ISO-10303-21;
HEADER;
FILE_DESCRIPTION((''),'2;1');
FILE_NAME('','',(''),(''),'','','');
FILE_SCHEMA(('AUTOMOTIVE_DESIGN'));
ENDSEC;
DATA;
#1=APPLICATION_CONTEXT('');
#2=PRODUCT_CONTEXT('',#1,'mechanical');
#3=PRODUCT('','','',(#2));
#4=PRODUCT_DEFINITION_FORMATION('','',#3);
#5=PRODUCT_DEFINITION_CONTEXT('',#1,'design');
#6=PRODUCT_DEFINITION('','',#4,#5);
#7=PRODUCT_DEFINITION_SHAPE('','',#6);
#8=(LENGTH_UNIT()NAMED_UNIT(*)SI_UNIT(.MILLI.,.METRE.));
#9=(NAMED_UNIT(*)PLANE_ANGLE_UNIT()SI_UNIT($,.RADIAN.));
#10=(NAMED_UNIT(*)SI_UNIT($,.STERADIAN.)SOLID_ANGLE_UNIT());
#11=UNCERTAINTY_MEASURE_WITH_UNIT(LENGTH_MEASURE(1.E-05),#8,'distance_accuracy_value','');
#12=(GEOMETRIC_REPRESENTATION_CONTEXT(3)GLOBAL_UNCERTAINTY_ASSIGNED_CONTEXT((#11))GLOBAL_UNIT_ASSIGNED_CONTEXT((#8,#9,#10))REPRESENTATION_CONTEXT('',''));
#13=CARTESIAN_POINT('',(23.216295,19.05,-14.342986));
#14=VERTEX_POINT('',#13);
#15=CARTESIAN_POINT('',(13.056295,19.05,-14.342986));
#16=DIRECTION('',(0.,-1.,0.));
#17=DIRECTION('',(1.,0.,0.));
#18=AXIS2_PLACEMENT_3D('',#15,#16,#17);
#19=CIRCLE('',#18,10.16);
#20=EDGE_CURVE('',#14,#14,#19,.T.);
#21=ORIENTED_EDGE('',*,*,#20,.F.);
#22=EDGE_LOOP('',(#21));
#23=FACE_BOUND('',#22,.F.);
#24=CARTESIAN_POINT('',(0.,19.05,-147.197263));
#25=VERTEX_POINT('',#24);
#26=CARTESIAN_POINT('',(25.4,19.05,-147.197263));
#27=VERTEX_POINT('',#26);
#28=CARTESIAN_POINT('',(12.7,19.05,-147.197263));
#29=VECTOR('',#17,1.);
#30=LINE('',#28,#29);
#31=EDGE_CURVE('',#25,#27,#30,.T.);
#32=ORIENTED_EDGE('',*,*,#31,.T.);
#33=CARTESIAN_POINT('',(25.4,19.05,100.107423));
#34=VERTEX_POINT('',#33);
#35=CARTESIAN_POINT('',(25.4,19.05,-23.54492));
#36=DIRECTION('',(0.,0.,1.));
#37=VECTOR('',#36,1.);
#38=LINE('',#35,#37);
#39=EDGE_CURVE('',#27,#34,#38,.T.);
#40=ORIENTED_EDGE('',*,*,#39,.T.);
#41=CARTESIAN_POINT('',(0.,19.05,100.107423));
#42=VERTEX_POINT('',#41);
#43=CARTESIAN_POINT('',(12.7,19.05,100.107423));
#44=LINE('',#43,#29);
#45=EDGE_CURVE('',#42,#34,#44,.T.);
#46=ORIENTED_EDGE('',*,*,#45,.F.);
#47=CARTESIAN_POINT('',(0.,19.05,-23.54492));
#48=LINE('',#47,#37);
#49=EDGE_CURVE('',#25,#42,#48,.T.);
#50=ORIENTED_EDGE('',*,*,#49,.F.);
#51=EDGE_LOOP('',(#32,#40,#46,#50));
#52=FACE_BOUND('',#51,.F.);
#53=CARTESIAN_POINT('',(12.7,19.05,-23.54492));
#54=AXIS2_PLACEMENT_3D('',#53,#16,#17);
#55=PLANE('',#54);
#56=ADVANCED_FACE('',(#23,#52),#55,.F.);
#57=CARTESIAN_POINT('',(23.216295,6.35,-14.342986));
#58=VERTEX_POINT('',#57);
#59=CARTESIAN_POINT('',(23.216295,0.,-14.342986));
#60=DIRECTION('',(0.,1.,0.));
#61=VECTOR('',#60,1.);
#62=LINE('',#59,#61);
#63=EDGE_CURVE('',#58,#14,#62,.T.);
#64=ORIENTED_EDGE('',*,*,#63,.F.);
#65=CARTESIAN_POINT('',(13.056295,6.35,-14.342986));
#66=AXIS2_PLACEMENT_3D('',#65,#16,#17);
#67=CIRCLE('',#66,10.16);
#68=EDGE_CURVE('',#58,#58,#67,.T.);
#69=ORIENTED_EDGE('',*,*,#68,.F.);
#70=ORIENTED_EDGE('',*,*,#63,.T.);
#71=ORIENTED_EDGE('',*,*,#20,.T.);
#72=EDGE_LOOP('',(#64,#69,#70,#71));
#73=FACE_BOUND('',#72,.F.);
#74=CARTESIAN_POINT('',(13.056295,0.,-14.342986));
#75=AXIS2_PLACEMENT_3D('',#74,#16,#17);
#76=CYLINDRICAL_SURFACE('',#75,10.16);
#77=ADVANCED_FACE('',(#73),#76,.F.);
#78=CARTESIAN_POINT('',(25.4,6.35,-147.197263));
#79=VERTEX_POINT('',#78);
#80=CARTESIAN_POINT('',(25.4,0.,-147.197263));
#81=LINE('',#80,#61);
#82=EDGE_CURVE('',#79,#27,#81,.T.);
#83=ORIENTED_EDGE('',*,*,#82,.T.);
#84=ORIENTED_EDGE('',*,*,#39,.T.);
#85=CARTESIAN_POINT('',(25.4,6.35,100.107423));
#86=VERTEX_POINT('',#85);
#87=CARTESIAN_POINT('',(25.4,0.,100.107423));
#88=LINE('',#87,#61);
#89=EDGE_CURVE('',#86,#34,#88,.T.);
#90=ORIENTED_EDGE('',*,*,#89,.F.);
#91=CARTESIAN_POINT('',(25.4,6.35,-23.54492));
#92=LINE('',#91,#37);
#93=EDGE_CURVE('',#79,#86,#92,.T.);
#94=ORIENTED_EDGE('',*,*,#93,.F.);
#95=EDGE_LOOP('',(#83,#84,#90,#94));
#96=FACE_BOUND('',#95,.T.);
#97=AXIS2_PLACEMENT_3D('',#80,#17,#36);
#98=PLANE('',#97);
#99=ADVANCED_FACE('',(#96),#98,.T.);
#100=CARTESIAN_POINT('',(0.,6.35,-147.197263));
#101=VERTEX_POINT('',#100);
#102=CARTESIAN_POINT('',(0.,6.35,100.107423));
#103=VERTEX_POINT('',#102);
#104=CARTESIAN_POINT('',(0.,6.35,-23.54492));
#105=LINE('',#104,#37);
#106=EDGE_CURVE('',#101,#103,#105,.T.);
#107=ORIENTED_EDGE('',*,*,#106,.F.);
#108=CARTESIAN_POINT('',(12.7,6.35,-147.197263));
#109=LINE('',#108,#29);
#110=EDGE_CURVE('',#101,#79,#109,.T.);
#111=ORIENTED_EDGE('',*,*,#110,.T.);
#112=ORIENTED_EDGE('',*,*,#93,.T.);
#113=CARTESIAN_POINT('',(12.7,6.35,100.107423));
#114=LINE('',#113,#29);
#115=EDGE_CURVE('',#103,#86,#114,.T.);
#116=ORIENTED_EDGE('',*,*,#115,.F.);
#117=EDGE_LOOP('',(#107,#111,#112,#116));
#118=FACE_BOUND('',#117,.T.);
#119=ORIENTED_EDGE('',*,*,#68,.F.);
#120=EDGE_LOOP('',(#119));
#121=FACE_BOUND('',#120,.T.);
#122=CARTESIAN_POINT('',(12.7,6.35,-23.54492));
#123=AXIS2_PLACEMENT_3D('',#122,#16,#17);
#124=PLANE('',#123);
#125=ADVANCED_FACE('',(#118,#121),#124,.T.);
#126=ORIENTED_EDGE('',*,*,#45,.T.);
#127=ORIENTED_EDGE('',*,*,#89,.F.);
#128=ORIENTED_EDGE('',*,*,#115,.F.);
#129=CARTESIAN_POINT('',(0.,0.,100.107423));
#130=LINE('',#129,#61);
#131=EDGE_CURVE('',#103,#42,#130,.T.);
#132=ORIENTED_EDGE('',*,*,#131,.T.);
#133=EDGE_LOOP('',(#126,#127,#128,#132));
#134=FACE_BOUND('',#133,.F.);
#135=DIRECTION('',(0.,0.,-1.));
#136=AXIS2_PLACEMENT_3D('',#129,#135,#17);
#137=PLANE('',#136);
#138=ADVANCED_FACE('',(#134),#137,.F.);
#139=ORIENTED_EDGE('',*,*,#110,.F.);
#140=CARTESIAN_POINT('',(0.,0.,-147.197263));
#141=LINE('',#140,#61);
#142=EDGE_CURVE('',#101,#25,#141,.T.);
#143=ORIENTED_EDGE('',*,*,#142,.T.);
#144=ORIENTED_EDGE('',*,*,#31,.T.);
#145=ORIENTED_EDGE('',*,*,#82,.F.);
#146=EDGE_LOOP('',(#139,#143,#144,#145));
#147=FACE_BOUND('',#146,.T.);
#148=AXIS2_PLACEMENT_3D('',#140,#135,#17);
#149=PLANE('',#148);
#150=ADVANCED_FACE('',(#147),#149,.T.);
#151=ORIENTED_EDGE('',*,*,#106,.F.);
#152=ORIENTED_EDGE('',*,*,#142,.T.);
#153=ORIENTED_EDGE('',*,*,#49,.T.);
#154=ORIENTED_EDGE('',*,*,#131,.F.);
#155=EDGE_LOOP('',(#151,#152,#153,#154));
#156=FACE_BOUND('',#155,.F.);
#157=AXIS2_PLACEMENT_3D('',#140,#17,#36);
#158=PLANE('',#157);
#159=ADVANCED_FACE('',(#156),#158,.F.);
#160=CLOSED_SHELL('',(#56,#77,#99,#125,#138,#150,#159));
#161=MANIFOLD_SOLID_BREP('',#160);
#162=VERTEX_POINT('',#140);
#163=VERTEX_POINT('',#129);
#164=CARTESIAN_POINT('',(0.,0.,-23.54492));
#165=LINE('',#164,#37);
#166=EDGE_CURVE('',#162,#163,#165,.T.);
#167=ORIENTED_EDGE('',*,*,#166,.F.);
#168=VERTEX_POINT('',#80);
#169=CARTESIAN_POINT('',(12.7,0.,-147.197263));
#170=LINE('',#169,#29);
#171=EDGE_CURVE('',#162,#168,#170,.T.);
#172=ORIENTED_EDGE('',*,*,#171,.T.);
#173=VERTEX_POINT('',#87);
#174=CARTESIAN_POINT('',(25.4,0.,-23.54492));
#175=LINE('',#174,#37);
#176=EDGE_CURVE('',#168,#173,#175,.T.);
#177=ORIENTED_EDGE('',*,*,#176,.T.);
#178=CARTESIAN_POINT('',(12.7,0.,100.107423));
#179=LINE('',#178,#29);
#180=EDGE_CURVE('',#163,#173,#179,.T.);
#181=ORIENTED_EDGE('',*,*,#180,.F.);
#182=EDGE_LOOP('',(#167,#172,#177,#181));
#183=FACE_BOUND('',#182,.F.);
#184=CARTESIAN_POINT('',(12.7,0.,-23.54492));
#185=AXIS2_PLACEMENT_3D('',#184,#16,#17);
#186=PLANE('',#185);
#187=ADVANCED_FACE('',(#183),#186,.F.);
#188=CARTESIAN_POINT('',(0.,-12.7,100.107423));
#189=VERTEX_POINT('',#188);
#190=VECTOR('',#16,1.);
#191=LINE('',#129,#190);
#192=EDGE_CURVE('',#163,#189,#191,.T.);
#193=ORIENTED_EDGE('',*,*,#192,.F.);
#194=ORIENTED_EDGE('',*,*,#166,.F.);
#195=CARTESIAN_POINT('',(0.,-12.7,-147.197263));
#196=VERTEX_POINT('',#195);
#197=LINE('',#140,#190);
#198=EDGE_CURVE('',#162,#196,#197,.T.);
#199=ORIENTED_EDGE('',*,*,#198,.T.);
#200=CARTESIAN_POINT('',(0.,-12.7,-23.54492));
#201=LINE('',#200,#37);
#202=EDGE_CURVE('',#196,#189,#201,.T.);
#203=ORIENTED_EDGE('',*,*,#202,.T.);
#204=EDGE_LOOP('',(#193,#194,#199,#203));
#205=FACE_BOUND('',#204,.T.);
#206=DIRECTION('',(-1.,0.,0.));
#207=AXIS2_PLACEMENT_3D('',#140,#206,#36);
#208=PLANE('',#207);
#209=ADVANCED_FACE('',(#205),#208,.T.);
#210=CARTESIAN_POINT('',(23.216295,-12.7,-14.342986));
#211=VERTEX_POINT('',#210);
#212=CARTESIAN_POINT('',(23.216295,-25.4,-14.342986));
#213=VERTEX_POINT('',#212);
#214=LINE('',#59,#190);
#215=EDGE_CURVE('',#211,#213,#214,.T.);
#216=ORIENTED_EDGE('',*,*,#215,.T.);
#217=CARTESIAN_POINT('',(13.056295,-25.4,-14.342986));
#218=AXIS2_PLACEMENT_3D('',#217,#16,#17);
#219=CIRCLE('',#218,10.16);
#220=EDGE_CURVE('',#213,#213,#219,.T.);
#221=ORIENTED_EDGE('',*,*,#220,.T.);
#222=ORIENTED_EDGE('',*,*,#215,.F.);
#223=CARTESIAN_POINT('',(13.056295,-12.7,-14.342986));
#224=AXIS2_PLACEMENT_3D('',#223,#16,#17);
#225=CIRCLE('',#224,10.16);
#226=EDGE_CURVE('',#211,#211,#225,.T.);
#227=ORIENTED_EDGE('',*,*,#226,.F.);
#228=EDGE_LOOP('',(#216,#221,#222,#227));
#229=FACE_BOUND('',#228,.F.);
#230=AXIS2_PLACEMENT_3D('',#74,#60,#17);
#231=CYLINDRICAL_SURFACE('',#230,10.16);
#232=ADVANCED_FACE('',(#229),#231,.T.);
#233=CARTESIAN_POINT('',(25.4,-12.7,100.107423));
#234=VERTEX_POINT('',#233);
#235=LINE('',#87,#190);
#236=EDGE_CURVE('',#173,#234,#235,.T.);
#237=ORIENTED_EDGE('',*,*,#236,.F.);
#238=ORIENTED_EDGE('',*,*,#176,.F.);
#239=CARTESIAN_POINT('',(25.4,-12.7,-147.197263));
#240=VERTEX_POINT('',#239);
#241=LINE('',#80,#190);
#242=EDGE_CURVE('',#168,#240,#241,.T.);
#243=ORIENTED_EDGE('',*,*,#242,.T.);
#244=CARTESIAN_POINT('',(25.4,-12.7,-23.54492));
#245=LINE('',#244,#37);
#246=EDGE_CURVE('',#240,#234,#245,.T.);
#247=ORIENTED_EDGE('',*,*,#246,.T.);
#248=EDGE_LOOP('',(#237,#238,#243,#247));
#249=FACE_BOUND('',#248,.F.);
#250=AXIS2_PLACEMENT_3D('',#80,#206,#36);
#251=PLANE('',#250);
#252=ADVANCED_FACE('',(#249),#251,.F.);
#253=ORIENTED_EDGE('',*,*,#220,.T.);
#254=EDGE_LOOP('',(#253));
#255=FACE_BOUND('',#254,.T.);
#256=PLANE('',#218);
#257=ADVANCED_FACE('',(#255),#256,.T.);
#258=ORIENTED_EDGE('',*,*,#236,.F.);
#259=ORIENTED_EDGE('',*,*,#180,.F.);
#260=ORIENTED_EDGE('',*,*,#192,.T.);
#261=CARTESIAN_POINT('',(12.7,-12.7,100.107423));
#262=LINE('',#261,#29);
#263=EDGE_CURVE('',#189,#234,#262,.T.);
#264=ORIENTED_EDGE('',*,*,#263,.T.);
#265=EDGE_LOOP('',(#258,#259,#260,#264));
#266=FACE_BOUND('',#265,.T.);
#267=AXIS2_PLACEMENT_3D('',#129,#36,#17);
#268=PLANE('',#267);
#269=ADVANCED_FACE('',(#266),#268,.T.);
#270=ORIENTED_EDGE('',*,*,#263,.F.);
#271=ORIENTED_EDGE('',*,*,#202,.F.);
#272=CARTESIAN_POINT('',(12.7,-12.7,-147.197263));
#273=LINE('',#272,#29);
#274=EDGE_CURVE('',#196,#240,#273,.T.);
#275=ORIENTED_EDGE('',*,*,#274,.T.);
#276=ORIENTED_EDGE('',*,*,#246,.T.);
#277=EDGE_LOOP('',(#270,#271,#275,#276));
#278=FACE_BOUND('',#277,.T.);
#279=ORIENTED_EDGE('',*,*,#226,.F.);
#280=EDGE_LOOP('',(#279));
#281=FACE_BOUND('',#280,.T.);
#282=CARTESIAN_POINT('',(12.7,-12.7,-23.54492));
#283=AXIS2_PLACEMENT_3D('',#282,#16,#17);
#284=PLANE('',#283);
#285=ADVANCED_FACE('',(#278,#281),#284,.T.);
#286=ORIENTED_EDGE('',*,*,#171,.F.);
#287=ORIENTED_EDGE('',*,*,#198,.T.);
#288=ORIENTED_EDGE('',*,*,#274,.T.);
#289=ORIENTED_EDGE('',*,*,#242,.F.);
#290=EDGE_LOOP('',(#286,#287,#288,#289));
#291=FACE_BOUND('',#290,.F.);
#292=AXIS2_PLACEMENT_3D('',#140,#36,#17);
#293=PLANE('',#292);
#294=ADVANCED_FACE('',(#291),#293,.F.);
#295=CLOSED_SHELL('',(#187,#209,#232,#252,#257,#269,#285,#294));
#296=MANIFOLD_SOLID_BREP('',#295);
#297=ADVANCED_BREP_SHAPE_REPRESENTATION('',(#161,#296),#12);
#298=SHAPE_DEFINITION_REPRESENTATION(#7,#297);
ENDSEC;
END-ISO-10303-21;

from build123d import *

# Parameters (mm, degrees)
F0_W     = 25.4
F0_H     = 247.304687
F0_R     = 10.16
F1_DEPTH = 12.7
F2_DEPTH = 25.4
F3_DEPTH = 19.05
F4_DEPTH = 6.35


with BuildPart() as f1:
    # F0 (on Front) → F1 (new body)
    with BuildSketch(Plane.XZ):
        with Locations((12.7, -23.54492)):
            Rectangle(F0_W, F0_H)
        with Locations((13.056295, -14.342986)):
            Circle(F0_R, mode=Mode.SUBTRACT)
    extrude(amount=F1_DEPTH)

    # F0 (on Front) → F2 (join)
    with BuildSketch(Plane.XZ):
        with Locations((13.056295, -14.342986)):
            Circle(F0_R)
    extrude(amount=F2_DEPTH)


with BuildPart() as f3:
    # F0 (on Front) → F3 (new body)
    with BuildSketch(Plane.XZ):
        with Locations((12.7, -23.54492)):
            Rectangle(F0_W, F0_H)
        with Locations((13.056295, -14.342986)):
            Circle(F0_R, mode=Mode.SUBTRACT)
    extrude(amount=-F3_DEPTH)

    # F0 (on Front) → F4 (cut)
    with BuildSketch(Plane.XZ):
        with Locations((12.7, -23.54492)):
            Rectangle(F0_W, F0_H)
        with Locations((13.056295, -14.342986)):
            Circle(F0_R, mode=Mode.SUBTRACT)
    extrude(amount=-F4_DEPTH, mode=Mode.SUBTRACT)


solid = Compound([f1.part, f3.part])
